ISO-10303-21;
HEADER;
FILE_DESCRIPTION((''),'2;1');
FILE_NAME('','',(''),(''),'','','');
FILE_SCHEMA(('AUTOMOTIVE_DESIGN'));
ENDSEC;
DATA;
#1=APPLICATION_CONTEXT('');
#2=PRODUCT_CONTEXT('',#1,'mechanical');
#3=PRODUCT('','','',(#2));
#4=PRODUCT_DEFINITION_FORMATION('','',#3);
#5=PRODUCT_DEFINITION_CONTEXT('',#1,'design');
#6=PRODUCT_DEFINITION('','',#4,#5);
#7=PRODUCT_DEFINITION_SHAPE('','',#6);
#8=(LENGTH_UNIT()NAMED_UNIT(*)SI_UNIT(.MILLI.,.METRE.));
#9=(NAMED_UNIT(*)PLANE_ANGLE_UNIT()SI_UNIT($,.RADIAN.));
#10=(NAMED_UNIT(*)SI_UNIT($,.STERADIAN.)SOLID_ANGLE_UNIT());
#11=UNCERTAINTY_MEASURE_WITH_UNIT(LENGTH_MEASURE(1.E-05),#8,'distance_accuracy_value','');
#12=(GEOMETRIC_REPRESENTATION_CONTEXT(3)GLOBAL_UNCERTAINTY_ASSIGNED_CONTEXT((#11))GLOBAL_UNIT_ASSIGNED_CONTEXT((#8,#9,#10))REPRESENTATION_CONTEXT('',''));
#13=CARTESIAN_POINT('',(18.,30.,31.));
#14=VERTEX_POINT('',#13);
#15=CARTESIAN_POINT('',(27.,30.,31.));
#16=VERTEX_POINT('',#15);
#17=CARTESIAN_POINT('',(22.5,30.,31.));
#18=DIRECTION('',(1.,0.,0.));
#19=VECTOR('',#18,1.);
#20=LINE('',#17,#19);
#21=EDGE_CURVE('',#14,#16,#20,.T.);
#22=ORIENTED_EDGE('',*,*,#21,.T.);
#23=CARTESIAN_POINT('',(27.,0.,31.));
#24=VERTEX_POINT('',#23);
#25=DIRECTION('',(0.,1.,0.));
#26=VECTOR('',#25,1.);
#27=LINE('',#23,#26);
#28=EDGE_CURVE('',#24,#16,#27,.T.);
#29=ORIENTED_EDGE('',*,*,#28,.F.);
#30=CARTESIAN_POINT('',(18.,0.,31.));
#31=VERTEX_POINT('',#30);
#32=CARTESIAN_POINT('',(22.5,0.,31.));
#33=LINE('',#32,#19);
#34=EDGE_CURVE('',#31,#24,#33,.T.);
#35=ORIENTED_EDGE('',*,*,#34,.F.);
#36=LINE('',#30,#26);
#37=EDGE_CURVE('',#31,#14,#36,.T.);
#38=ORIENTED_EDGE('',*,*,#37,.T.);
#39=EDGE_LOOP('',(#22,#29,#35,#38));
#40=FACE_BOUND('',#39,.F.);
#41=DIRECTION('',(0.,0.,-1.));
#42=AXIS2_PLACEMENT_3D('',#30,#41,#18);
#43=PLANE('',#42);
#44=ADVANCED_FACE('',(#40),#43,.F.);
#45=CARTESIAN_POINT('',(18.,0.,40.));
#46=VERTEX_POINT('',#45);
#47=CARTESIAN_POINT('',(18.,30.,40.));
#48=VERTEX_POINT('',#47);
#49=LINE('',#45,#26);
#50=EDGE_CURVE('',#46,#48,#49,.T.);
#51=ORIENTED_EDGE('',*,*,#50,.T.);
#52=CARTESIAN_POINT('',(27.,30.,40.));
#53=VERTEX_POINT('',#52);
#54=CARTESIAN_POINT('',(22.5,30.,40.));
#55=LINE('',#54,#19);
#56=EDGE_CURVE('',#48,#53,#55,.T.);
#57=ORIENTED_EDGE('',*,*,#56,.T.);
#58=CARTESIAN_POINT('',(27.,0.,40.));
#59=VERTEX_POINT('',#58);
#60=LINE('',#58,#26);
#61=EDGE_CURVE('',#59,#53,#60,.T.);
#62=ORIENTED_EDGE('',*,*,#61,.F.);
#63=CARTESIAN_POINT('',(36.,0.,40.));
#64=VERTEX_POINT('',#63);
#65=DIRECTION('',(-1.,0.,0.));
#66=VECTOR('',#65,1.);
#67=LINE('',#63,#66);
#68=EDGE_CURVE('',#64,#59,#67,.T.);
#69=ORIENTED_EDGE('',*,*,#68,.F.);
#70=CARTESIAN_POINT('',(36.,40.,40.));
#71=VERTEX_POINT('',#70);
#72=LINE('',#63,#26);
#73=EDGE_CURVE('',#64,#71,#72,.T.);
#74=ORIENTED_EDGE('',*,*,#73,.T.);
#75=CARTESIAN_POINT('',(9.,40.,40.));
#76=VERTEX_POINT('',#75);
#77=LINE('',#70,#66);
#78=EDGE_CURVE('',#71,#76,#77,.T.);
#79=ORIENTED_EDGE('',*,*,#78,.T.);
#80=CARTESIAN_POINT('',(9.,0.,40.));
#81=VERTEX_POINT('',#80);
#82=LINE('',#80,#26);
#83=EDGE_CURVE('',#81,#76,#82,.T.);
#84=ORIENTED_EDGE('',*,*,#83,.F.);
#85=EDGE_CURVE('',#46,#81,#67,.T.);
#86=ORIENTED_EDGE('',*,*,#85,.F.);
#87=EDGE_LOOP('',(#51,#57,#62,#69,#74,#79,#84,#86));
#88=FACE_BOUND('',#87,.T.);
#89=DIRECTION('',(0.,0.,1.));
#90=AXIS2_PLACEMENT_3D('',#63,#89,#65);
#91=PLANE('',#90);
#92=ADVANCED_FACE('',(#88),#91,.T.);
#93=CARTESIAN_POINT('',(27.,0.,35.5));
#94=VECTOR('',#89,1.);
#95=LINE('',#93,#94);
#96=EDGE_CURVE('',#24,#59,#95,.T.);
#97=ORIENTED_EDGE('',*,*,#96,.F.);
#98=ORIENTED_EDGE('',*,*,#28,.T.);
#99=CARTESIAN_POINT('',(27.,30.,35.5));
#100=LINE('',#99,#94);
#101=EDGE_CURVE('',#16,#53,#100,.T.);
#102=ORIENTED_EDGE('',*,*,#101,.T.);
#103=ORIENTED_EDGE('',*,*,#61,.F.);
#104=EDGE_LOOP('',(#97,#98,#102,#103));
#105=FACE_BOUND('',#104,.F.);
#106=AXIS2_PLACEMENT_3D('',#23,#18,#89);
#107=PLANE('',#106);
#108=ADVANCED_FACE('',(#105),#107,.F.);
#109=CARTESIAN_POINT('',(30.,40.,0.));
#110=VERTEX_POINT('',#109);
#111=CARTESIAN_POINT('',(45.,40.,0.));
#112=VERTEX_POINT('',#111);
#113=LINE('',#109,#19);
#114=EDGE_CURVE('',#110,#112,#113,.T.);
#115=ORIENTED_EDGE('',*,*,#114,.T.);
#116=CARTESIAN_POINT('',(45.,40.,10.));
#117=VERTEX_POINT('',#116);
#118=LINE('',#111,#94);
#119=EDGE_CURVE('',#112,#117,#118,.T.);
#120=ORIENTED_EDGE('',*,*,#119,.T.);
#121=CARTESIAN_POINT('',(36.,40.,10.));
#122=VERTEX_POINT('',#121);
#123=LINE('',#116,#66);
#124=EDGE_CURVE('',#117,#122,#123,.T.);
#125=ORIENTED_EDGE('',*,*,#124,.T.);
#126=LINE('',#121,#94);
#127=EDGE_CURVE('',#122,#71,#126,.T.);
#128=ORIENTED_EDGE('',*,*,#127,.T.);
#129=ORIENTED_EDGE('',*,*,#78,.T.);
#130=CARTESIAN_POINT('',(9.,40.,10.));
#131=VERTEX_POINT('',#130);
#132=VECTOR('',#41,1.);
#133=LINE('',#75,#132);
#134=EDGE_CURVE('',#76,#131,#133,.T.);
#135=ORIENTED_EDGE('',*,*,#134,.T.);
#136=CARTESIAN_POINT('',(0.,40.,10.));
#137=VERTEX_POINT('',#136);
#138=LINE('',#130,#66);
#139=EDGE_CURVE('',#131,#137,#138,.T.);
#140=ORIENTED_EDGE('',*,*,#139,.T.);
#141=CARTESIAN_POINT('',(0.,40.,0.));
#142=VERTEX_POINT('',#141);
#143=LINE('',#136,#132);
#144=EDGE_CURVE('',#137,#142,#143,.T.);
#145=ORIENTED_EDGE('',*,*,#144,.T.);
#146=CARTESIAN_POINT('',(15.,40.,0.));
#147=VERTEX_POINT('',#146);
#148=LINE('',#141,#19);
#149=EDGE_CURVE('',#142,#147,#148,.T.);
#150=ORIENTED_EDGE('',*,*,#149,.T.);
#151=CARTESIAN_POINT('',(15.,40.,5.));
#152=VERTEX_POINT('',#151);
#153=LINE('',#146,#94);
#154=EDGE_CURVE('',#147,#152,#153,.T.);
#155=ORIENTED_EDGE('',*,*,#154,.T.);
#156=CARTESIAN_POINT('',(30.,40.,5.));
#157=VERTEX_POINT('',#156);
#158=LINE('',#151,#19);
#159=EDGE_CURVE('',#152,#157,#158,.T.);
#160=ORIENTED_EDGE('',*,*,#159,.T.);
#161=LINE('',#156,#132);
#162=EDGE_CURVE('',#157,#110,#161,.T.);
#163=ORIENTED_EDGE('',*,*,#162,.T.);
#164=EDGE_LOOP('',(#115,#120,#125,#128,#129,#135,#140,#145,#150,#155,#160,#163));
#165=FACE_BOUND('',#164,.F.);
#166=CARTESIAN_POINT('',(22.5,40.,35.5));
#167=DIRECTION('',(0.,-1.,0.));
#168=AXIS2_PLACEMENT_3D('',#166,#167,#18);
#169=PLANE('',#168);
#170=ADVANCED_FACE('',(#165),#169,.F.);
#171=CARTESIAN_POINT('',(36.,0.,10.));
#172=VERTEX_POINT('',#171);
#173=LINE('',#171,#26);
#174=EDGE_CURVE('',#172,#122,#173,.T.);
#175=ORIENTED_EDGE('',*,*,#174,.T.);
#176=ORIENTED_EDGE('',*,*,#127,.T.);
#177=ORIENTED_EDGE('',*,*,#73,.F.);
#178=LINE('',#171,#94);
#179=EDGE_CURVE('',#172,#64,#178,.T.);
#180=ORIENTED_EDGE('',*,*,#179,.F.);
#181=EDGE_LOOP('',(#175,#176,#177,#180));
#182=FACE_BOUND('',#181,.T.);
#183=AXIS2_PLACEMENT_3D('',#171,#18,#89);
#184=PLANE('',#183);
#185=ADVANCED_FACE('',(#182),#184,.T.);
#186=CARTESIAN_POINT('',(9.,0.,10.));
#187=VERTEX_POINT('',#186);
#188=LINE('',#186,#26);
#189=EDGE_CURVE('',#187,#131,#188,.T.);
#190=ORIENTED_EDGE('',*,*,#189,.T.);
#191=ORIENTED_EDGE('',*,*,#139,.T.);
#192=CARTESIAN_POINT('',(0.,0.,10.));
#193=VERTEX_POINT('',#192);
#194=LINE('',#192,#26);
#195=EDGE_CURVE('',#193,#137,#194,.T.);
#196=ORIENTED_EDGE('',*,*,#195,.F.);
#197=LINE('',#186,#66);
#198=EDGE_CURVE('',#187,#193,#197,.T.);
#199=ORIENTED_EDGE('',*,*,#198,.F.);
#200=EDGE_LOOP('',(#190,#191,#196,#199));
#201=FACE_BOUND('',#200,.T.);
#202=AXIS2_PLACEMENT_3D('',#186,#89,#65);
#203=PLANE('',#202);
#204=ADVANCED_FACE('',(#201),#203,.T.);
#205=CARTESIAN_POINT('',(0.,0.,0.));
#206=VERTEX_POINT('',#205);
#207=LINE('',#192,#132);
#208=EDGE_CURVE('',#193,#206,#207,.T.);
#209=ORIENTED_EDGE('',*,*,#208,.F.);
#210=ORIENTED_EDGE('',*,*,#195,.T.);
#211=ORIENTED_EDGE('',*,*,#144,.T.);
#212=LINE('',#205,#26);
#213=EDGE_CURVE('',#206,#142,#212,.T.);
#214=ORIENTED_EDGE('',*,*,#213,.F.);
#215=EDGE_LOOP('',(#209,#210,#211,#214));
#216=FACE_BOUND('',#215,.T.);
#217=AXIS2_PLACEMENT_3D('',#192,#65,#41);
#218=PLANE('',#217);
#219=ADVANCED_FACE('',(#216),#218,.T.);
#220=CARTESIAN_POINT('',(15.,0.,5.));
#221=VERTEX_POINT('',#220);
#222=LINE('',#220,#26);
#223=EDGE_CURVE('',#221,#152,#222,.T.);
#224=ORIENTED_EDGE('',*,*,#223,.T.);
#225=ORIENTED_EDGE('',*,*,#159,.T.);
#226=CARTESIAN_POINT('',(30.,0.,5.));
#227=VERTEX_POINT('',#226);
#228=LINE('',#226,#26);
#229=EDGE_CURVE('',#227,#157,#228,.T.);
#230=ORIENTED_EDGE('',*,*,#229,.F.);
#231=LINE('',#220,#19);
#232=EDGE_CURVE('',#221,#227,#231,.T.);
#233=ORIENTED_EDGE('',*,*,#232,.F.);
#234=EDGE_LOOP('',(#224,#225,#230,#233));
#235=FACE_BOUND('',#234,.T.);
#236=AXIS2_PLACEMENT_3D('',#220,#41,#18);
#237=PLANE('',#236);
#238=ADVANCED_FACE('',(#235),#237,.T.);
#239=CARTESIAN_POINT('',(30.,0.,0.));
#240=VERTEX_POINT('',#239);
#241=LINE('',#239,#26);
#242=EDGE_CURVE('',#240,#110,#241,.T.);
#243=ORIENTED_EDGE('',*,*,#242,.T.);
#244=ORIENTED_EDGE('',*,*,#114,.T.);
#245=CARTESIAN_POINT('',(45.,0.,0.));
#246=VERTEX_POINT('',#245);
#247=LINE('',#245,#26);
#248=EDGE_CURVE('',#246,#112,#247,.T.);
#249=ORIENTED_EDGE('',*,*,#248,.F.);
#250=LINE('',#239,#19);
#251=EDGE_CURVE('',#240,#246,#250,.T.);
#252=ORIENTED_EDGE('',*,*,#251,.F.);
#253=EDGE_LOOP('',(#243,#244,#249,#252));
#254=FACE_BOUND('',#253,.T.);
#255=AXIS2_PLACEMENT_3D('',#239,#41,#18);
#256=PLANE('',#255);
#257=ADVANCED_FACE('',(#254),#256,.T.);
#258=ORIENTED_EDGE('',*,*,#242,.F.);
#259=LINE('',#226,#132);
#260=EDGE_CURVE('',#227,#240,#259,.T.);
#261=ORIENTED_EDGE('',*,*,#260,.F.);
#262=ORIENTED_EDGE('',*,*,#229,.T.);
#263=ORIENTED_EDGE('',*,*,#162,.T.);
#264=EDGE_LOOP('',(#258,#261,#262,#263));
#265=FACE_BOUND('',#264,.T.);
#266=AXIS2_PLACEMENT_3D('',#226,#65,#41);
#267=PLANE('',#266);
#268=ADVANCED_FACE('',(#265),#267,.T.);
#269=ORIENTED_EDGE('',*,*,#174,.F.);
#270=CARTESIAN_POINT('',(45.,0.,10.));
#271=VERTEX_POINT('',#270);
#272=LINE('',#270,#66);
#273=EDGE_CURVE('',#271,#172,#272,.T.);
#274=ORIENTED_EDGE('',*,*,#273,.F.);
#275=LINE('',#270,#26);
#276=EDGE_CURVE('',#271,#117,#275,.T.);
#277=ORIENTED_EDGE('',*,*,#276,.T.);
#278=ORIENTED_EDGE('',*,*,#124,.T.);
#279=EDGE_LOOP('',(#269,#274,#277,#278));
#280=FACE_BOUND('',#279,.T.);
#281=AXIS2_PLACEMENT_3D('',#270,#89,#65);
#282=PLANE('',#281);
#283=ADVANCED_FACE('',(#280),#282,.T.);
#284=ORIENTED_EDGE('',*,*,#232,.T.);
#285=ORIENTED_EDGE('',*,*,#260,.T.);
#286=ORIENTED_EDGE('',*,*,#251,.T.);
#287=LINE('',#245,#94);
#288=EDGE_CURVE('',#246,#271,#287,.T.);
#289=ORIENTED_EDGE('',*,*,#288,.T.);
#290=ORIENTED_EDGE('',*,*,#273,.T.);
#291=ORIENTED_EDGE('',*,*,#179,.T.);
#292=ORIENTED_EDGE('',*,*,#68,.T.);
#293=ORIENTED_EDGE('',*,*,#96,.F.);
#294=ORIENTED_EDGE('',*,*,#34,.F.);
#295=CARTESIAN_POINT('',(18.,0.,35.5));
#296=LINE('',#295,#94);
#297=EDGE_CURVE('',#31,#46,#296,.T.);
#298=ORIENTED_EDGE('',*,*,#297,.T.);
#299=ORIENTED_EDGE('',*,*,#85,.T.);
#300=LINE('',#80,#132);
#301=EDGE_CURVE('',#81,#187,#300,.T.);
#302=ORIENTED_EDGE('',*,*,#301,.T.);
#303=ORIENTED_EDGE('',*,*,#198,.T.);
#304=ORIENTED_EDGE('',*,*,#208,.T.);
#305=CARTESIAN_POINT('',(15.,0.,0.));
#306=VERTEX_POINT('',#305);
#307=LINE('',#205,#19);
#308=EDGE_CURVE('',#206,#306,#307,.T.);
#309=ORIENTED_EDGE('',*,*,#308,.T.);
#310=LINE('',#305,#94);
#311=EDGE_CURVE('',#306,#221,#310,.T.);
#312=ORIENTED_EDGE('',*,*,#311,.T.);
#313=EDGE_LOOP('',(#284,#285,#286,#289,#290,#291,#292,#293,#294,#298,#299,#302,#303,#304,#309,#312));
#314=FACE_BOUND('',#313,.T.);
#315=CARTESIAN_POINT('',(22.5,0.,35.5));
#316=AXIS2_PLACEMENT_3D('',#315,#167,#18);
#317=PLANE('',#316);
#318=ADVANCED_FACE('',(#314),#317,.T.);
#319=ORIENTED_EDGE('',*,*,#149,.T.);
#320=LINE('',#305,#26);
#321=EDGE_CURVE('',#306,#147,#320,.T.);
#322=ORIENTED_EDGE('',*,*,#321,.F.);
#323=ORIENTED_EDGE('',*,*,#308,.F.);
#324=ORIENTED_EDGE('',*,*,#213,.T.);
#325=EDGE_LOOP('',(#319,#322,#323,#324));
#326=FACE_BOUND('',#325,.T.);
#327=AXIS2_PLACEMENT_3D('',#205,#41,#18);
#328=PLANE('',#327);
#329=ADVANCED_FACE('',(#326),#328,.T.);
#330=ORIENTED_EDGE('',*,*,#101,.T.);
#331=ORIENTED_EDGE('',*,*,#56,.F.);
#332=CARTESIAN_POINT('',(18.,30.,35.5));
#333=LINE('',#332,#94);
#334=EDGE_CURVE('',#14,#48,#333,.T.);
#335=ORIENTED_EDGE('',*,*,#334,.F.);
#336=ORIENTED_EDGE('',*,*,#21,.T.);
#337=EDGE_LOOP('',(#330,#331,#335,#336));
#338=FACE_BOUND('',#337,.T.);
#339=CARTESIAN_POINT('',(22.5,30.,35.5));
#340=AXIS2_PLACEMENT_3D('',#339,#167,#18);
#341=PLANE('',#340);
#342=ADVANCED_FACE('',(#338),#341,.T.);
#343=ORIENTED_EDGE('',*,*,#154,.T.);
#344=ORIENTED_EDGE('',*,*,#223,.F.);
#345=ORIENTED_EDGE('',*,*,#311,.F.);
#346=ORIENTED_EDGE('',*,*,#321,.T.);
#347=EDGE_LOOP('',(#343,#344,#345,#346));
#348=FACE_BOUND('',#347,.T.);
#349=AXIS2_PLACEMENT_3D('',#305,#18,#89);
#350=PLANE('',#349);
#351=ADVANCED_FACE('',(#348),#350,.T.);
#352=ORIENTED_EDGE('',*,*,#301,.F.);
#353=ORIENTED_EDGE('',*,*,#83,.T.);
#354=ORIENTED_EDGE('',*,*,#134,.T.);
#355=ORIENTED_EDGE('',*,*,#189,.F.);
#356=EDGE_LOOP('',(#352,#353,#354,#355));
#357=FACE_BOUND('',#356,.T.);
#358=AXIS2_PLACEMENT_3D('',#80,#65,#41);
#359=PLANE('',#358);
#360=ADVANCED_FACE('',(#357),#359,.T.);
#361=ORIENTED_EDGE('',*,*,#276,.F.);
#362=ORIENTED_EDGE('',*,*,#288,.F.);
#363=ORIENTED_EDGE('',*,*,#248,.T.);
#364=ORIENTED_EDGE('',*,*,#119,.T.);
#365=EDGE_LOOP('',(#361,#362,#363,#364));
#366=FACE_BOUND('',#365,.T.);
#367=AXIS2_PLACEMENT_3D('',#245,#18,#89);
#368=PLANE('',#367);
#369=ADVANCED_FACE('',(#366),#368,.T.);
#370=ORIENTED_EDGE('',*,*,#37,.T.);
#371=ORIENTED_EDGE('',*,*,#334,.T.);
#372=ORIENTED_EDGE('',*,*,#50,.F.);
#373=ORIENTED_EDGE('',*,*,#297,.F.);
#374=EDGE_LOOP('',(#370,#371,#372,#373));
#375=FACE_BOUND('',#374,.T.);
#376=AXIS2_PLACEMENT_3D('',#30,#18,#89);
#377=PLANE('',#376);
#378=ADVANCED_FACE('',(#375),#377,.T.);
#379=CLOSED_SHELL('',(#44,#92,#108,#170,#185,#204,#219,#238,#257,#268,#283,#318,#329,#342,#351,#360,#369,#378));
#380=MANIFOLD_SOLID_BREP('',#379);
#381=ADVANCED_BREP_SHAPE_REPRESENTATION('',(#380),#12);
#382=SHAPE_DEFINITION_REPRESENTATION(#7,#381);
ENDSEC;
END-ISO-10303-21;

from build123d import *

# Parameters (mm, degrees)
F0_W     = 9
F0_H     = 9
F1_DEPTH = 40
F2_DEPTH = 30


with BuildPart() as f1:
    # F0 (on Front) → F1 (new body)
    with BuildSketch(Plane.XZ):
        with Locations((22.5, 35.5)):
            Rectangle(F0_W, F0_H)
        Polygon((0, 10), (0, 0), (15, 0), (15, 5), (30, 5), (30, 0), (45, 0), (45, 10), (36, 10), (36, 40), (27, 40), (27, 31), (18, 31), (18, 40), (9, 40), (9, 10), align=None)
    extrude(amount=-F1_DEPTH)

    # F0 (on Front) → F2 (cut)
    with BuildSketch(Plane.XZ):
        with Locations((22.5, 35.5)):
            Rectangle(F0_W, F0_H)
    extrude(amount=-F2_DEPTH, mode=Mode.SUBTRACT)


solid = f1.part
